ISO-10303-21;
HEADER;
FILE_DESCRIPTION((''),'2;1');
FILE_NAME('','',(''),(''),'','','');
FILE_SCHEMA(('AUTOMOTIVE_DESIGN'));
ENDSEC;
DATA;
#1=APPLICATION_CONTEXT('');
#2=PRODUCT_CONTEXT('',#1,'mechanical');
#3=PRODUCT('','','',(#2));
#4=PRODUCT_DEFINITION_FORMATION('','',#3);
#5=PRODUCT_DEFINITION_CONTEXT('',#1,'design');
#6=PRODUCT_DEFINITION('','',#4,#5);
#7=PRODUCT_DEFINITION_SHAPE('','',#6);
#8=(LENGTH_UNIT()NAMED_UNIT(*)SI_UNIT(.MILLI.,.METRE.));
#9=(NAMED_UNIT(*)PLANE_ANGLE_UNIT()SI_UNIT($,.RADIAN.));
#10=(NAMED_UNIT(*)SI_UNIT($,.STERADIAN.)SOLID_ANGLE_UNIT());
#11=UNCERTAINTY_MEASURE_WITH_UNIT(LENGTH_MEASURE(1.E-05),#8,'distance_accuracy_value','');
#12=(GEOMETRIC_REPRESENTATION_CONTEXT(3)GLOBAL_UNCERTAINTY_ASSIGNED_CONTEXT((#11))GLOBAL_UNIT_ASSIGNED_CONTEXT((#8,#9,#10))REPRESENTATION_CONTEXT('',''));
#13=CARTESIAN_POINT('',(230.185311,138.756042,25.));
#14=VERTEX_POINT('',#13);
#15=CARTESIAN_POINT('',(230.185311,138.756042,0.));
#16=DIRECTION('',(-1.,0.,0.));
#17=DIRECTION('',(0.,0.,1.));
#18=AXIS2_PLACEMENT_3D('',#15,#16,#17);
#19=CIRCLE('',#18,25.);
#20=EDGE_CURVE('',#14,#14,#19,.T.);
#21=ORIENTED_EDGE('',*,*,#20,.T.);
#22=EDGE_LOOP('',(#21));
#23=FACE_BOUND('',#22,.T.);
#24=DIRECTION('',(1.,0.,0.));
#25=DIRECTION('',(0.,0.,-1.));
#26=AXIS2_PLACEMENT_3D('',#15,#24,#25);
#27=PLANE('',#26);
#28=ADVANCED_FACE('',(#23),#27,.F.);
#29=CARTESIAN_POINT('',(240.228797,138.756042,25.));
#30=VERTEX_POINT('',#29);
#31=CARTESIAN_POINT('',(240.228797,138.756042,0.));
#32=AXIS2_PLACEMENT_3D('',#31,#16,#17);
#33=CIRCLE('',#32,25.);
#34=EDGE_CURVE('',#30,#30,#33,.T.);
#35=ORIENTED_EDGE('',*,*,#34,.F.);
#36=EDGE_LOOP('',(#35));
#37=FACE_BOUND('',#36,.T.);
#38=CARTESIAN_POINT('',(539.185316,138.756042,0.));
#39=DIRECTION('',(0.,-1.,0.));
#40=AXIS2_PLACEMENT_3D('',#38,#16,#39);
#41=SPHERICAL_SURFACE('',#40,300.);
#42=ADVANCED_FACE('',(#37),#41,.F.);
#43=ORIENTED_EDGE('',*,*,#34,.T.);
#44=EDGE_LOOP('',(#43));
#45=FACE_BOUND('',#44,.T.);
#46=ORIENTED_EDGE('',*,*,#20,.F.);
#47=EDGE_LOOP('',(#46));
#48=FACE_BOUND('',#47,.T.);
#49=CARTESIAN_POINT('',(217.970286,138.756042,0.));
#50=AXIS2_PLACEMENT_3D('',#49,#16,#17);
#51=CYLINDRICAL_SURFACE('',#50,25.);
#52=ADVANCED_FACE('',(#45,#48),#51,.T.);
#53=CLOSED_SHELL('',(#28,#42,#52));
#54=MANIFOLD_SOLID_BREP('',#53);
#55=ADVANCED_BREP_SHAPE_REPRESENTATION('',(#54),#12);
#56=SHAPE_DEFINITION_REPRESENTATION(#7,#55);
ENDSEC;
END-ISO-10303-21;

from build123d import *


with BuildPart() as part:
    # 草图1 → 旋转1 (revolve)
    with BuildSketch(Plane.XY, mode=Mode.PRIVATE) as revolve_1_sk:
        with BuildLine():
            Line((230.18531107, 138.756042247), (230.18531107, 163.756042247))
            Line((230.18531107, 163.756042247), (240.228797224, 163.756042247))
            ThreePointArc((240.228797224, 163.756042247), (239.446299678, 151.266926043), (239.185315802, 138.756042247))
            Line((239.185315802, 138.756042247), (230.18531107, 138.756042247))
        make_face()
    revolve(revolve_1_sk.sketch.rotate(Axis((217.970286004, 138.756042247, 0), (1, 0, 0)), 180), axis=Axis((217.970286004, 138.756042247, 0), (1, 0, 0)))  # turned: the seam where the file's is


solid = part.part
